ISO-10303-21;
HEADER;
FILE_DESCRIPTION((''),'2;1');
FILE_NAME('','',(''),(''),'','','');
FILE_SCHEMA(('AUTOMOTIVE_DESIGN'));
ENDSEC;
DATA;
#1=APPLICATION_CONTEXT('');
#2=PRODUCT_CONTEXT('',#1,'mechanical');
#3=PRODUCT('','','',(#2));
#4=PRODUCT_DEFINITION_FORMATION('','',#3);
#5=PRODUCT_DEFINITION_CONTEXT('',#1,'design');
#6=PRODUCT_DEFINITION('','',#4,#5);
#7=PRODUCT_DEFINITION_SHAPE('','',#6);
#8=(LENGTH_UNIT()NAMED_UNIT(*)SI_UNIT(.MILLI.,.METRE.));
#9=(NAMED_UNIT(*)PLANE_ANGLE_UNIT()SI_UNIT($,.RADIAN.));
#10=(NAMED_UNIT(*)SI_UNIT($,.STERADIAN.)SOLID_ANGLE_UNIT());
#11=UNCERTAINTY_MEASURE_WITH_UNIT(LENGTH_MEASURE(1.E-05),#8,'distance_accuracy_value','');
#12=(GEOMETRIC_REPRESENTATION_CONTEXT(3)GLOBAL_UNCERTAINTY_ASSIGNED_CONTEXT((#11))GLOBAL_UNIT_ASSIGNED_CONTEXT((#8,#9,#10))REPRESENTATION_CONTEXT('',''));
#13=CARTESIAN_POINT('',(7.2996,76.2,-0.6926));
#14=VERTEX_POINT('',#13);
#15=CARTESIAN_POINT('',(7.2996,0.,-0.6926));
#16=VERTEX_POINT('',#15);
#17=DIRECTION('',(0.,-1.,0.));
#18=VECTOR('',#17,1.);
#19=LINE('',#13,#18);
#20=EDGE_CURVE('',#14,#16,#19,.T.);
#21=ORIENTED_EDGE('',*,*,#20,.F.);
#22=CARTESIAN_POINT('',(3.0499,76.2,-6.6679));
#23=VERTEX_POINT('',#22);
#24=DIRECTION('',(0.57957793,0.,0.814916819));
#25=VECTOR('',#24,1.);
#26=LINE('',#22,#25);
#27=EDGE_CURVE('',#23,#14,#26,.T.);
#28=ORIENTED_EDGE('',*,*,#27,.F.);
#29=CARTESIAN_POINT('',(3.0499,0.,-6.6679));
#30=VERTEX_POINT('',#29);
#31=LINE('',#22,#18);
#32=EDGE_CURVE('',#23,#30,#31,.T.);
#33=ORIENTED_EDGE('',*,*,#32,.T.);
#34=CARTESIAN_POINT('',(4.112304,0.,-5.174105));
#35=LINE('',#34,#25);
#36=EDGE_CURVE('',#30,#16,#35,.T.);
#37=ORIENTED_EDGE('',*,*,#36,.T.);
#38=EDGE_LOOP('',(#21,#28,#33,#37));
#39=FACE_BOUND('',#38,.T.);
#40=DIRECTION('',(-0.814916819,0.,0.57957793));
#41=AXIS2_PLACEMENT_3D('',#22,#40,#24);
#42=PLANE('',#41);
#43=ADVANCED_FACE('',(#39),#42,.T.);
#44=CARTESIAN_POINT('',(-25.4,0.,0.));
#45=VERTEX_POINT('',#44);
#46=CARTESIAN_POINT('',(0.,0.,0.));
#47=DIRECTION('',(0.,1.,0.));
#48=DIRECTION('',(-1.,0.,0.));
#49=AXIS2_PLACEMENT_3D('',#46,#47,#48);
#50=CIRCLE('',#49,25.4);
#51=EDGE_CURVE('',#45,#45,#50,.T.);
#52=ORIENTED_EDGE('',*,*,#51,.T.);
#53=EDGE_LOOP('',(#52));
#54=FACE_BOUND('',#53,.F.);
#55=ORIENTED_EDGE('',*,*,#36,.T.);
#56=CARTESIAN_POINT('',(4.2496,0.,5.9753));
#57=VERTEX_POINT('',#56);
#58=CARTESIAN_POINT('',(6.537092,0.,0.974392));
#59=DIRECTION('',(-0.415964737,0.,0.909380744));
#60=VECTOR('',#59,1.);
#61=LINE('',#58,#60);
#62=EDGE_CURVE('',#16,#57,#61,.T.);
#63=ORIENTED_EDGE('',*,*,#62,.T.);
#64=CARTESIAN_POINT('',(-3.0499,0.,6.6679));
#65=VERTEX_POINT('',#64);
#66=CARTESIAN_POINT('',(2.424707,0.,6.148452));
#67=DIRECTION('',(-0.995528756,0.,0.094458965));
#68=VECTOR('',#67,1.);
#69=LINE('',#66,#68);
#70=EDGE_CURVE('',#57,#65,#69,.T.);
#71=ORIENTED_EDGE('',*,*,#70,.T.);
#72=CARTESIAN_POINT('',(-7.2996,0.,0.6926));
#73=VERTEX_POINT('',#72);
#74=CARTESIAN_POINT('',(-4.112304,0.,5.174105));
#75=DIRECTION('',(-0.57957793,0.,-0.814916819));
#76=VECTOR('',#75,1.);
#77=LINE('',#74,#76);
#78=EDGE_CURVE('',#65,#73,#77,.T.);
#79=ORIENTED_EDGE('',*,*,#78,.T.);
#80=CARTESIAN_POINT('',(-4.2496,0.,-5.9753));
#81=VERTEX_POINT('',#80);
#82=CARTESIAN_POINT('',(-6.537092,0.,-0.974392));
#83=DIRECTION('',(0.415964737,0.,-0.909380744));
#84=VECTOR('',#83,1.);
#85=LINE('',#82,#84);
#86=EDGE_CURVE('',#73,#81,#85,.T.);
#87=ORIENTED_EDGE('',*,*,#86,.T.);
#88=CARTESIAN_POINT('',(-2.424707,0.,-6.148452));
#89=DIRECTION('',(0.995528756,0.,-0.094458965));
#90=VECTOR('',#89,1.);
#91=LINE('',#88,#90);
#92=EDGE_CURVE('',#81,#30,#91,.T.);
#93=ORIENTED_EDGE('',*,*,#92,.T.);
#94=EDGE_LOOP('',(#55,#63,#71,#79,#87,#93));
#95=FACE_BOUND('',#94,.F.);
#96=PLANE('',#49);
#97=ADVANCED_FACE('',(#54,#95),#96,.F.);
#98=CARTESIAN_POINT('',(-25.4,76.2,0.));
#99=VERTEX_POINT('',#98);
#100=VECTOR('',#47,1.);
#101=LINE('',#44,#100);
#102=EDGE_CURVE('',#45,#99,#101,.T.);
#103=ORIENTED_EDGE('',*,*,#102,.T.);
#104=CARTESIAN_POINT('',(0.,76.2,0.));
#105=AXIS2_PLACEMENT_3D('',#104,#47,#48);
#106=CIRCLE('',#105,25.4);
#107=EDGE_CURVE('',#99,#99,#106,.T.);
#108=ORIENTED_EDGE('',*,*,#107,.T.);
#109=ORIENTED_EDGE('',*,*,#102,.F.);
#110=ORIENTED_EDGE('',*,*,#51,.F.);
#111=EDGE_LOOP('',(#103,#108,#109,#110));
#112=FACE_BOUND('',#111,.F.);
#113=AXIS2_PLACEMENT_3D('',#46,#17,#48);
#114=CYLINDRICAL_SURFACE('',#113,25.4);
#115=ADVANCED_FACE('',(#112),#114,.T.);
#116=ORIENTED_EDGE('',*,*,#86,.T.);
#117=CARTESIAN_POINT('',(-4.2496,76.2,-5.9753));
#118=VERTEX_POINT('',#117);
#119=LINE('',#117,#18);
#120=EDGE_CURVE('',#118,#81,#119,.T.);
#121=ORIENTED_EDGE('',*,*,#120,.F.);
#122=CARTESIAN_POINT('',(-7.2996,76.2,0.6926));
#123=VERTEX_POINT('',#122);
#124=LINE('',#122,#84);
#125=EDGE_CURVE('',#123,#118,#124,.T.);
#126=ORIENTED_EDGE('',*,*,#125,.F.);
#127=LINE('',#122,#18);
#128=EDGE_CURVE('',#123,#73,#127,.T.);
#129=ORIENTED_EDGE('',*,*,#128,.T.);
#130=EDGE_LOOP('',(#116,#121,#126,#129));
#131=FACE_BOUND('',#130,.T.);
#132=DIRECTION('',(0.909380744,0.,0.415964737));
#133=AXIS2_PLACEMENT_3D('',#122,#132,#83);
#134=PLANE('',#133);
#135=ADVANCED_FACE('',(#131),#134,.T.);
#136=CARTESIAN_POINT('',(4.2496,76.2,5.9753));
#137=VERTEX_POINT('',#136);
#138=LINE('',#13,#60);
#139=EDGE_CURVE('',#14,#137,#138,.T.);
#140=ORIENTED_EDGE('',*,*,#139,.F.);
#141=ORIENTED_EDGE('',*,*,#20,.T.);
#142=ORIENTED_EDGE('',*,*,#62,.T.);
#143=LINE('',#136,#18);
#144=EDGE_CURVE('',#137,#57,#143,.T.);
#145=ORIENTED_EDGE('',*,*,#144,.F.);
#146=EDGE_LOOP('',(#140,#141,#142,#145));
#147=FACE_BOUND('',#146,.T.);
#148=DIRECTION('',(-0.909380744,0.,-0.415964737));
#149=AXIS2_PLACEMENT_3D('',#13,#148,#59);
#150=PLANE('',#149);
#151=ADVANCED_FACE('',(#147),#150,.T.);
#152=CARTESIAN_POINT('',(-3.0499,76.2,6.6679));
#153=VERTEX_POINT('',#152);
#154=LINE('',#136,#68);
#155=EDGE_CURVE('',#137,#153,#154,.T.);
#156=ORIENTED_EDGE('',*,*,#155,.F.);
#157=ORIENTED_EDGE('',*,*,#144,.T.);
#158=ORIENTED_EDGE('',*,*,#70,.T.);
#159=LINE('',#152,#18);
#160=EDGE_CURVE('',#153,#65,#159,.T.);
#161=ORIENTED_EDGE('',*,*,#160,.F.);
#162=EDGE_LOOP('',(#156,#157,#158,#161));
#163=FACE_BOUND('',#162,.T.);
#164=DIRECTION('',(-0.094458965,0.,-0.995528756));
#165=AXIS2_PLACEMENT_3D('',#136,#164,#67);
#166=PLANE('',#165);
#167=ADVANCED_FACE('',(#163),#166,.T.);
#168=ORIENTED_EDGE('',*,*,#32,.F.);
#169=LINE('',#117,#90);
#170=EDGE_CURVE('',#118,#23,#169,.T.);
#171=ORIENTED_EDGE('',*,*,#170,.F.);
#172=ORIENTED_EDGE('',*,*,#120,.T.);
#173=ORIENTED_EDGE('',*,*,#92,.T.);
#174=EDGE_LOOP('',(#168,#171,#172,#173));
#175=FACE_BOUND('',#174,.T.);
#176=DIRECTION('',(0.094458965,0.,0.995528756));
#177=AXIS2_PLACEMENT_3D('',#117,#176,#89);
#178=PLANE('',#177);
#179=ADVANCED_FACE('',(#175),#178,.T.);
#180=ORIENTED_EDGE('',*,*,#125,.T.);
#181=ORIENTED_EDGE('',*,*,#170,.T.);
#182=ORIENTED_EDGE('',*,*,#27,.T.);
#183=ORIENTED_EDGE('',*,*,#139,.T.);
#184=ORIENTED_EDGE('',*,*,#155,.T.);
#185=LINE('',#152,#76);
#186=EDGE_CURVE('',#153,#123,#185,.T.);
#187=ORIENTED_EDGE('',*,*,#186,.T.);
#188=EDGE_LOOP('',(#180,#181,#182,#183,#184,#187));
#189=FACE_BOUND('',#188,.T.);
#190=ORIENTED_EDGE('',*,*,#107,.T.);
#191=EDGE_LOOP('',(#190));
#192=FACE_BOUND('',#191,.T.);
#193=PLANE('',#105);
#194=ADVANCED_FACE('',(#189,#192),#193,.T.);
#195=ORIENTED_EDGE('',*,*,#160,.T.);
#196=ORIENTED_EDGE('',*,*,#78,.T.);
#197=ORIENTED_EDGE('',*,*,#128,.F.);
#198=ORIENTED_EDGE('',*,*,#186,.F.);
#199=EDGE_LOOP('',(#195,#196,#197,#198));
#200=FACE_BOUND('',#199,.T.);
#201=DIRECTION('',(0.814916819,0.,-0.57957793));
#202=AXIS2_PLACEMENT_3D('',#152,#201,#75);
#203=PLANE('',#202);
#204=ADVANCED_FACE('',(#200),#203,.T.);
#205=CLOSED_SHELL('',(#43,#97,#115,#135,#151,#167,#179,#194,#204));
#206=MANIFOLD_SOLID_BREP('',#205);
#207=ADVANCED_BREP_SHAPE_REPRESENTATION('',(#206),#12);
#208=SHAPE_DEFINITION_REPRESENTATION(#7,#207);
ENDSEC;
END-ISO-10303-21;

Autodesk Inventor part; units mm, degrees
ref_plane "YZ Plane" through (0, 0, 0) normal (1, 0, 0) x (0, 1, 0)
ref_plane "XZ Plane" through (0, 0, 0) normal (0, 1, 0) x (-1, 0, 0)
ref_plane "XY Plane" through (0, 0, 0) normal (0, 0, 1) x (1, 0, 0)
sketch "Sketch1" plane through (0, 0, 0) normal (0, 1, 0) x (-1, 0, 0)
  circle A0 centre (0, 0) radius 25.4
  dimension "d0" = 50.8
extrude "Extrusion1" add sketch "Sketch1" along normal blind 76.2
sketch "Sketch2" plane through (0, 76.2, 0) normal (0, 1, 0) x (1, 0, 0)
  line L0 (4.2496, -5.9753) -> (-3.0499, -6.6679)
  line L1 (-3.0499, -6.6679) -> (-7.2996, -0.6926)
  line L2 (-7.2996, -0.6926) -> (-4.2496, 5.9753)
  line L3 (-4.2496, 5.9753) -> (3.0499, 6.6679)
  line L4 (3.0499, 6.6679) -> (7.2996, 0.6926)
  line L5 (7.2996, 0.6926) -> (4.2496, -5.9753)
  point P0 (0, 0)
  point P1 (0, 0)
  dimension "d3" = 12.7
extrude "Extrusion2" cut sketch "Sketch2" against normal through all
